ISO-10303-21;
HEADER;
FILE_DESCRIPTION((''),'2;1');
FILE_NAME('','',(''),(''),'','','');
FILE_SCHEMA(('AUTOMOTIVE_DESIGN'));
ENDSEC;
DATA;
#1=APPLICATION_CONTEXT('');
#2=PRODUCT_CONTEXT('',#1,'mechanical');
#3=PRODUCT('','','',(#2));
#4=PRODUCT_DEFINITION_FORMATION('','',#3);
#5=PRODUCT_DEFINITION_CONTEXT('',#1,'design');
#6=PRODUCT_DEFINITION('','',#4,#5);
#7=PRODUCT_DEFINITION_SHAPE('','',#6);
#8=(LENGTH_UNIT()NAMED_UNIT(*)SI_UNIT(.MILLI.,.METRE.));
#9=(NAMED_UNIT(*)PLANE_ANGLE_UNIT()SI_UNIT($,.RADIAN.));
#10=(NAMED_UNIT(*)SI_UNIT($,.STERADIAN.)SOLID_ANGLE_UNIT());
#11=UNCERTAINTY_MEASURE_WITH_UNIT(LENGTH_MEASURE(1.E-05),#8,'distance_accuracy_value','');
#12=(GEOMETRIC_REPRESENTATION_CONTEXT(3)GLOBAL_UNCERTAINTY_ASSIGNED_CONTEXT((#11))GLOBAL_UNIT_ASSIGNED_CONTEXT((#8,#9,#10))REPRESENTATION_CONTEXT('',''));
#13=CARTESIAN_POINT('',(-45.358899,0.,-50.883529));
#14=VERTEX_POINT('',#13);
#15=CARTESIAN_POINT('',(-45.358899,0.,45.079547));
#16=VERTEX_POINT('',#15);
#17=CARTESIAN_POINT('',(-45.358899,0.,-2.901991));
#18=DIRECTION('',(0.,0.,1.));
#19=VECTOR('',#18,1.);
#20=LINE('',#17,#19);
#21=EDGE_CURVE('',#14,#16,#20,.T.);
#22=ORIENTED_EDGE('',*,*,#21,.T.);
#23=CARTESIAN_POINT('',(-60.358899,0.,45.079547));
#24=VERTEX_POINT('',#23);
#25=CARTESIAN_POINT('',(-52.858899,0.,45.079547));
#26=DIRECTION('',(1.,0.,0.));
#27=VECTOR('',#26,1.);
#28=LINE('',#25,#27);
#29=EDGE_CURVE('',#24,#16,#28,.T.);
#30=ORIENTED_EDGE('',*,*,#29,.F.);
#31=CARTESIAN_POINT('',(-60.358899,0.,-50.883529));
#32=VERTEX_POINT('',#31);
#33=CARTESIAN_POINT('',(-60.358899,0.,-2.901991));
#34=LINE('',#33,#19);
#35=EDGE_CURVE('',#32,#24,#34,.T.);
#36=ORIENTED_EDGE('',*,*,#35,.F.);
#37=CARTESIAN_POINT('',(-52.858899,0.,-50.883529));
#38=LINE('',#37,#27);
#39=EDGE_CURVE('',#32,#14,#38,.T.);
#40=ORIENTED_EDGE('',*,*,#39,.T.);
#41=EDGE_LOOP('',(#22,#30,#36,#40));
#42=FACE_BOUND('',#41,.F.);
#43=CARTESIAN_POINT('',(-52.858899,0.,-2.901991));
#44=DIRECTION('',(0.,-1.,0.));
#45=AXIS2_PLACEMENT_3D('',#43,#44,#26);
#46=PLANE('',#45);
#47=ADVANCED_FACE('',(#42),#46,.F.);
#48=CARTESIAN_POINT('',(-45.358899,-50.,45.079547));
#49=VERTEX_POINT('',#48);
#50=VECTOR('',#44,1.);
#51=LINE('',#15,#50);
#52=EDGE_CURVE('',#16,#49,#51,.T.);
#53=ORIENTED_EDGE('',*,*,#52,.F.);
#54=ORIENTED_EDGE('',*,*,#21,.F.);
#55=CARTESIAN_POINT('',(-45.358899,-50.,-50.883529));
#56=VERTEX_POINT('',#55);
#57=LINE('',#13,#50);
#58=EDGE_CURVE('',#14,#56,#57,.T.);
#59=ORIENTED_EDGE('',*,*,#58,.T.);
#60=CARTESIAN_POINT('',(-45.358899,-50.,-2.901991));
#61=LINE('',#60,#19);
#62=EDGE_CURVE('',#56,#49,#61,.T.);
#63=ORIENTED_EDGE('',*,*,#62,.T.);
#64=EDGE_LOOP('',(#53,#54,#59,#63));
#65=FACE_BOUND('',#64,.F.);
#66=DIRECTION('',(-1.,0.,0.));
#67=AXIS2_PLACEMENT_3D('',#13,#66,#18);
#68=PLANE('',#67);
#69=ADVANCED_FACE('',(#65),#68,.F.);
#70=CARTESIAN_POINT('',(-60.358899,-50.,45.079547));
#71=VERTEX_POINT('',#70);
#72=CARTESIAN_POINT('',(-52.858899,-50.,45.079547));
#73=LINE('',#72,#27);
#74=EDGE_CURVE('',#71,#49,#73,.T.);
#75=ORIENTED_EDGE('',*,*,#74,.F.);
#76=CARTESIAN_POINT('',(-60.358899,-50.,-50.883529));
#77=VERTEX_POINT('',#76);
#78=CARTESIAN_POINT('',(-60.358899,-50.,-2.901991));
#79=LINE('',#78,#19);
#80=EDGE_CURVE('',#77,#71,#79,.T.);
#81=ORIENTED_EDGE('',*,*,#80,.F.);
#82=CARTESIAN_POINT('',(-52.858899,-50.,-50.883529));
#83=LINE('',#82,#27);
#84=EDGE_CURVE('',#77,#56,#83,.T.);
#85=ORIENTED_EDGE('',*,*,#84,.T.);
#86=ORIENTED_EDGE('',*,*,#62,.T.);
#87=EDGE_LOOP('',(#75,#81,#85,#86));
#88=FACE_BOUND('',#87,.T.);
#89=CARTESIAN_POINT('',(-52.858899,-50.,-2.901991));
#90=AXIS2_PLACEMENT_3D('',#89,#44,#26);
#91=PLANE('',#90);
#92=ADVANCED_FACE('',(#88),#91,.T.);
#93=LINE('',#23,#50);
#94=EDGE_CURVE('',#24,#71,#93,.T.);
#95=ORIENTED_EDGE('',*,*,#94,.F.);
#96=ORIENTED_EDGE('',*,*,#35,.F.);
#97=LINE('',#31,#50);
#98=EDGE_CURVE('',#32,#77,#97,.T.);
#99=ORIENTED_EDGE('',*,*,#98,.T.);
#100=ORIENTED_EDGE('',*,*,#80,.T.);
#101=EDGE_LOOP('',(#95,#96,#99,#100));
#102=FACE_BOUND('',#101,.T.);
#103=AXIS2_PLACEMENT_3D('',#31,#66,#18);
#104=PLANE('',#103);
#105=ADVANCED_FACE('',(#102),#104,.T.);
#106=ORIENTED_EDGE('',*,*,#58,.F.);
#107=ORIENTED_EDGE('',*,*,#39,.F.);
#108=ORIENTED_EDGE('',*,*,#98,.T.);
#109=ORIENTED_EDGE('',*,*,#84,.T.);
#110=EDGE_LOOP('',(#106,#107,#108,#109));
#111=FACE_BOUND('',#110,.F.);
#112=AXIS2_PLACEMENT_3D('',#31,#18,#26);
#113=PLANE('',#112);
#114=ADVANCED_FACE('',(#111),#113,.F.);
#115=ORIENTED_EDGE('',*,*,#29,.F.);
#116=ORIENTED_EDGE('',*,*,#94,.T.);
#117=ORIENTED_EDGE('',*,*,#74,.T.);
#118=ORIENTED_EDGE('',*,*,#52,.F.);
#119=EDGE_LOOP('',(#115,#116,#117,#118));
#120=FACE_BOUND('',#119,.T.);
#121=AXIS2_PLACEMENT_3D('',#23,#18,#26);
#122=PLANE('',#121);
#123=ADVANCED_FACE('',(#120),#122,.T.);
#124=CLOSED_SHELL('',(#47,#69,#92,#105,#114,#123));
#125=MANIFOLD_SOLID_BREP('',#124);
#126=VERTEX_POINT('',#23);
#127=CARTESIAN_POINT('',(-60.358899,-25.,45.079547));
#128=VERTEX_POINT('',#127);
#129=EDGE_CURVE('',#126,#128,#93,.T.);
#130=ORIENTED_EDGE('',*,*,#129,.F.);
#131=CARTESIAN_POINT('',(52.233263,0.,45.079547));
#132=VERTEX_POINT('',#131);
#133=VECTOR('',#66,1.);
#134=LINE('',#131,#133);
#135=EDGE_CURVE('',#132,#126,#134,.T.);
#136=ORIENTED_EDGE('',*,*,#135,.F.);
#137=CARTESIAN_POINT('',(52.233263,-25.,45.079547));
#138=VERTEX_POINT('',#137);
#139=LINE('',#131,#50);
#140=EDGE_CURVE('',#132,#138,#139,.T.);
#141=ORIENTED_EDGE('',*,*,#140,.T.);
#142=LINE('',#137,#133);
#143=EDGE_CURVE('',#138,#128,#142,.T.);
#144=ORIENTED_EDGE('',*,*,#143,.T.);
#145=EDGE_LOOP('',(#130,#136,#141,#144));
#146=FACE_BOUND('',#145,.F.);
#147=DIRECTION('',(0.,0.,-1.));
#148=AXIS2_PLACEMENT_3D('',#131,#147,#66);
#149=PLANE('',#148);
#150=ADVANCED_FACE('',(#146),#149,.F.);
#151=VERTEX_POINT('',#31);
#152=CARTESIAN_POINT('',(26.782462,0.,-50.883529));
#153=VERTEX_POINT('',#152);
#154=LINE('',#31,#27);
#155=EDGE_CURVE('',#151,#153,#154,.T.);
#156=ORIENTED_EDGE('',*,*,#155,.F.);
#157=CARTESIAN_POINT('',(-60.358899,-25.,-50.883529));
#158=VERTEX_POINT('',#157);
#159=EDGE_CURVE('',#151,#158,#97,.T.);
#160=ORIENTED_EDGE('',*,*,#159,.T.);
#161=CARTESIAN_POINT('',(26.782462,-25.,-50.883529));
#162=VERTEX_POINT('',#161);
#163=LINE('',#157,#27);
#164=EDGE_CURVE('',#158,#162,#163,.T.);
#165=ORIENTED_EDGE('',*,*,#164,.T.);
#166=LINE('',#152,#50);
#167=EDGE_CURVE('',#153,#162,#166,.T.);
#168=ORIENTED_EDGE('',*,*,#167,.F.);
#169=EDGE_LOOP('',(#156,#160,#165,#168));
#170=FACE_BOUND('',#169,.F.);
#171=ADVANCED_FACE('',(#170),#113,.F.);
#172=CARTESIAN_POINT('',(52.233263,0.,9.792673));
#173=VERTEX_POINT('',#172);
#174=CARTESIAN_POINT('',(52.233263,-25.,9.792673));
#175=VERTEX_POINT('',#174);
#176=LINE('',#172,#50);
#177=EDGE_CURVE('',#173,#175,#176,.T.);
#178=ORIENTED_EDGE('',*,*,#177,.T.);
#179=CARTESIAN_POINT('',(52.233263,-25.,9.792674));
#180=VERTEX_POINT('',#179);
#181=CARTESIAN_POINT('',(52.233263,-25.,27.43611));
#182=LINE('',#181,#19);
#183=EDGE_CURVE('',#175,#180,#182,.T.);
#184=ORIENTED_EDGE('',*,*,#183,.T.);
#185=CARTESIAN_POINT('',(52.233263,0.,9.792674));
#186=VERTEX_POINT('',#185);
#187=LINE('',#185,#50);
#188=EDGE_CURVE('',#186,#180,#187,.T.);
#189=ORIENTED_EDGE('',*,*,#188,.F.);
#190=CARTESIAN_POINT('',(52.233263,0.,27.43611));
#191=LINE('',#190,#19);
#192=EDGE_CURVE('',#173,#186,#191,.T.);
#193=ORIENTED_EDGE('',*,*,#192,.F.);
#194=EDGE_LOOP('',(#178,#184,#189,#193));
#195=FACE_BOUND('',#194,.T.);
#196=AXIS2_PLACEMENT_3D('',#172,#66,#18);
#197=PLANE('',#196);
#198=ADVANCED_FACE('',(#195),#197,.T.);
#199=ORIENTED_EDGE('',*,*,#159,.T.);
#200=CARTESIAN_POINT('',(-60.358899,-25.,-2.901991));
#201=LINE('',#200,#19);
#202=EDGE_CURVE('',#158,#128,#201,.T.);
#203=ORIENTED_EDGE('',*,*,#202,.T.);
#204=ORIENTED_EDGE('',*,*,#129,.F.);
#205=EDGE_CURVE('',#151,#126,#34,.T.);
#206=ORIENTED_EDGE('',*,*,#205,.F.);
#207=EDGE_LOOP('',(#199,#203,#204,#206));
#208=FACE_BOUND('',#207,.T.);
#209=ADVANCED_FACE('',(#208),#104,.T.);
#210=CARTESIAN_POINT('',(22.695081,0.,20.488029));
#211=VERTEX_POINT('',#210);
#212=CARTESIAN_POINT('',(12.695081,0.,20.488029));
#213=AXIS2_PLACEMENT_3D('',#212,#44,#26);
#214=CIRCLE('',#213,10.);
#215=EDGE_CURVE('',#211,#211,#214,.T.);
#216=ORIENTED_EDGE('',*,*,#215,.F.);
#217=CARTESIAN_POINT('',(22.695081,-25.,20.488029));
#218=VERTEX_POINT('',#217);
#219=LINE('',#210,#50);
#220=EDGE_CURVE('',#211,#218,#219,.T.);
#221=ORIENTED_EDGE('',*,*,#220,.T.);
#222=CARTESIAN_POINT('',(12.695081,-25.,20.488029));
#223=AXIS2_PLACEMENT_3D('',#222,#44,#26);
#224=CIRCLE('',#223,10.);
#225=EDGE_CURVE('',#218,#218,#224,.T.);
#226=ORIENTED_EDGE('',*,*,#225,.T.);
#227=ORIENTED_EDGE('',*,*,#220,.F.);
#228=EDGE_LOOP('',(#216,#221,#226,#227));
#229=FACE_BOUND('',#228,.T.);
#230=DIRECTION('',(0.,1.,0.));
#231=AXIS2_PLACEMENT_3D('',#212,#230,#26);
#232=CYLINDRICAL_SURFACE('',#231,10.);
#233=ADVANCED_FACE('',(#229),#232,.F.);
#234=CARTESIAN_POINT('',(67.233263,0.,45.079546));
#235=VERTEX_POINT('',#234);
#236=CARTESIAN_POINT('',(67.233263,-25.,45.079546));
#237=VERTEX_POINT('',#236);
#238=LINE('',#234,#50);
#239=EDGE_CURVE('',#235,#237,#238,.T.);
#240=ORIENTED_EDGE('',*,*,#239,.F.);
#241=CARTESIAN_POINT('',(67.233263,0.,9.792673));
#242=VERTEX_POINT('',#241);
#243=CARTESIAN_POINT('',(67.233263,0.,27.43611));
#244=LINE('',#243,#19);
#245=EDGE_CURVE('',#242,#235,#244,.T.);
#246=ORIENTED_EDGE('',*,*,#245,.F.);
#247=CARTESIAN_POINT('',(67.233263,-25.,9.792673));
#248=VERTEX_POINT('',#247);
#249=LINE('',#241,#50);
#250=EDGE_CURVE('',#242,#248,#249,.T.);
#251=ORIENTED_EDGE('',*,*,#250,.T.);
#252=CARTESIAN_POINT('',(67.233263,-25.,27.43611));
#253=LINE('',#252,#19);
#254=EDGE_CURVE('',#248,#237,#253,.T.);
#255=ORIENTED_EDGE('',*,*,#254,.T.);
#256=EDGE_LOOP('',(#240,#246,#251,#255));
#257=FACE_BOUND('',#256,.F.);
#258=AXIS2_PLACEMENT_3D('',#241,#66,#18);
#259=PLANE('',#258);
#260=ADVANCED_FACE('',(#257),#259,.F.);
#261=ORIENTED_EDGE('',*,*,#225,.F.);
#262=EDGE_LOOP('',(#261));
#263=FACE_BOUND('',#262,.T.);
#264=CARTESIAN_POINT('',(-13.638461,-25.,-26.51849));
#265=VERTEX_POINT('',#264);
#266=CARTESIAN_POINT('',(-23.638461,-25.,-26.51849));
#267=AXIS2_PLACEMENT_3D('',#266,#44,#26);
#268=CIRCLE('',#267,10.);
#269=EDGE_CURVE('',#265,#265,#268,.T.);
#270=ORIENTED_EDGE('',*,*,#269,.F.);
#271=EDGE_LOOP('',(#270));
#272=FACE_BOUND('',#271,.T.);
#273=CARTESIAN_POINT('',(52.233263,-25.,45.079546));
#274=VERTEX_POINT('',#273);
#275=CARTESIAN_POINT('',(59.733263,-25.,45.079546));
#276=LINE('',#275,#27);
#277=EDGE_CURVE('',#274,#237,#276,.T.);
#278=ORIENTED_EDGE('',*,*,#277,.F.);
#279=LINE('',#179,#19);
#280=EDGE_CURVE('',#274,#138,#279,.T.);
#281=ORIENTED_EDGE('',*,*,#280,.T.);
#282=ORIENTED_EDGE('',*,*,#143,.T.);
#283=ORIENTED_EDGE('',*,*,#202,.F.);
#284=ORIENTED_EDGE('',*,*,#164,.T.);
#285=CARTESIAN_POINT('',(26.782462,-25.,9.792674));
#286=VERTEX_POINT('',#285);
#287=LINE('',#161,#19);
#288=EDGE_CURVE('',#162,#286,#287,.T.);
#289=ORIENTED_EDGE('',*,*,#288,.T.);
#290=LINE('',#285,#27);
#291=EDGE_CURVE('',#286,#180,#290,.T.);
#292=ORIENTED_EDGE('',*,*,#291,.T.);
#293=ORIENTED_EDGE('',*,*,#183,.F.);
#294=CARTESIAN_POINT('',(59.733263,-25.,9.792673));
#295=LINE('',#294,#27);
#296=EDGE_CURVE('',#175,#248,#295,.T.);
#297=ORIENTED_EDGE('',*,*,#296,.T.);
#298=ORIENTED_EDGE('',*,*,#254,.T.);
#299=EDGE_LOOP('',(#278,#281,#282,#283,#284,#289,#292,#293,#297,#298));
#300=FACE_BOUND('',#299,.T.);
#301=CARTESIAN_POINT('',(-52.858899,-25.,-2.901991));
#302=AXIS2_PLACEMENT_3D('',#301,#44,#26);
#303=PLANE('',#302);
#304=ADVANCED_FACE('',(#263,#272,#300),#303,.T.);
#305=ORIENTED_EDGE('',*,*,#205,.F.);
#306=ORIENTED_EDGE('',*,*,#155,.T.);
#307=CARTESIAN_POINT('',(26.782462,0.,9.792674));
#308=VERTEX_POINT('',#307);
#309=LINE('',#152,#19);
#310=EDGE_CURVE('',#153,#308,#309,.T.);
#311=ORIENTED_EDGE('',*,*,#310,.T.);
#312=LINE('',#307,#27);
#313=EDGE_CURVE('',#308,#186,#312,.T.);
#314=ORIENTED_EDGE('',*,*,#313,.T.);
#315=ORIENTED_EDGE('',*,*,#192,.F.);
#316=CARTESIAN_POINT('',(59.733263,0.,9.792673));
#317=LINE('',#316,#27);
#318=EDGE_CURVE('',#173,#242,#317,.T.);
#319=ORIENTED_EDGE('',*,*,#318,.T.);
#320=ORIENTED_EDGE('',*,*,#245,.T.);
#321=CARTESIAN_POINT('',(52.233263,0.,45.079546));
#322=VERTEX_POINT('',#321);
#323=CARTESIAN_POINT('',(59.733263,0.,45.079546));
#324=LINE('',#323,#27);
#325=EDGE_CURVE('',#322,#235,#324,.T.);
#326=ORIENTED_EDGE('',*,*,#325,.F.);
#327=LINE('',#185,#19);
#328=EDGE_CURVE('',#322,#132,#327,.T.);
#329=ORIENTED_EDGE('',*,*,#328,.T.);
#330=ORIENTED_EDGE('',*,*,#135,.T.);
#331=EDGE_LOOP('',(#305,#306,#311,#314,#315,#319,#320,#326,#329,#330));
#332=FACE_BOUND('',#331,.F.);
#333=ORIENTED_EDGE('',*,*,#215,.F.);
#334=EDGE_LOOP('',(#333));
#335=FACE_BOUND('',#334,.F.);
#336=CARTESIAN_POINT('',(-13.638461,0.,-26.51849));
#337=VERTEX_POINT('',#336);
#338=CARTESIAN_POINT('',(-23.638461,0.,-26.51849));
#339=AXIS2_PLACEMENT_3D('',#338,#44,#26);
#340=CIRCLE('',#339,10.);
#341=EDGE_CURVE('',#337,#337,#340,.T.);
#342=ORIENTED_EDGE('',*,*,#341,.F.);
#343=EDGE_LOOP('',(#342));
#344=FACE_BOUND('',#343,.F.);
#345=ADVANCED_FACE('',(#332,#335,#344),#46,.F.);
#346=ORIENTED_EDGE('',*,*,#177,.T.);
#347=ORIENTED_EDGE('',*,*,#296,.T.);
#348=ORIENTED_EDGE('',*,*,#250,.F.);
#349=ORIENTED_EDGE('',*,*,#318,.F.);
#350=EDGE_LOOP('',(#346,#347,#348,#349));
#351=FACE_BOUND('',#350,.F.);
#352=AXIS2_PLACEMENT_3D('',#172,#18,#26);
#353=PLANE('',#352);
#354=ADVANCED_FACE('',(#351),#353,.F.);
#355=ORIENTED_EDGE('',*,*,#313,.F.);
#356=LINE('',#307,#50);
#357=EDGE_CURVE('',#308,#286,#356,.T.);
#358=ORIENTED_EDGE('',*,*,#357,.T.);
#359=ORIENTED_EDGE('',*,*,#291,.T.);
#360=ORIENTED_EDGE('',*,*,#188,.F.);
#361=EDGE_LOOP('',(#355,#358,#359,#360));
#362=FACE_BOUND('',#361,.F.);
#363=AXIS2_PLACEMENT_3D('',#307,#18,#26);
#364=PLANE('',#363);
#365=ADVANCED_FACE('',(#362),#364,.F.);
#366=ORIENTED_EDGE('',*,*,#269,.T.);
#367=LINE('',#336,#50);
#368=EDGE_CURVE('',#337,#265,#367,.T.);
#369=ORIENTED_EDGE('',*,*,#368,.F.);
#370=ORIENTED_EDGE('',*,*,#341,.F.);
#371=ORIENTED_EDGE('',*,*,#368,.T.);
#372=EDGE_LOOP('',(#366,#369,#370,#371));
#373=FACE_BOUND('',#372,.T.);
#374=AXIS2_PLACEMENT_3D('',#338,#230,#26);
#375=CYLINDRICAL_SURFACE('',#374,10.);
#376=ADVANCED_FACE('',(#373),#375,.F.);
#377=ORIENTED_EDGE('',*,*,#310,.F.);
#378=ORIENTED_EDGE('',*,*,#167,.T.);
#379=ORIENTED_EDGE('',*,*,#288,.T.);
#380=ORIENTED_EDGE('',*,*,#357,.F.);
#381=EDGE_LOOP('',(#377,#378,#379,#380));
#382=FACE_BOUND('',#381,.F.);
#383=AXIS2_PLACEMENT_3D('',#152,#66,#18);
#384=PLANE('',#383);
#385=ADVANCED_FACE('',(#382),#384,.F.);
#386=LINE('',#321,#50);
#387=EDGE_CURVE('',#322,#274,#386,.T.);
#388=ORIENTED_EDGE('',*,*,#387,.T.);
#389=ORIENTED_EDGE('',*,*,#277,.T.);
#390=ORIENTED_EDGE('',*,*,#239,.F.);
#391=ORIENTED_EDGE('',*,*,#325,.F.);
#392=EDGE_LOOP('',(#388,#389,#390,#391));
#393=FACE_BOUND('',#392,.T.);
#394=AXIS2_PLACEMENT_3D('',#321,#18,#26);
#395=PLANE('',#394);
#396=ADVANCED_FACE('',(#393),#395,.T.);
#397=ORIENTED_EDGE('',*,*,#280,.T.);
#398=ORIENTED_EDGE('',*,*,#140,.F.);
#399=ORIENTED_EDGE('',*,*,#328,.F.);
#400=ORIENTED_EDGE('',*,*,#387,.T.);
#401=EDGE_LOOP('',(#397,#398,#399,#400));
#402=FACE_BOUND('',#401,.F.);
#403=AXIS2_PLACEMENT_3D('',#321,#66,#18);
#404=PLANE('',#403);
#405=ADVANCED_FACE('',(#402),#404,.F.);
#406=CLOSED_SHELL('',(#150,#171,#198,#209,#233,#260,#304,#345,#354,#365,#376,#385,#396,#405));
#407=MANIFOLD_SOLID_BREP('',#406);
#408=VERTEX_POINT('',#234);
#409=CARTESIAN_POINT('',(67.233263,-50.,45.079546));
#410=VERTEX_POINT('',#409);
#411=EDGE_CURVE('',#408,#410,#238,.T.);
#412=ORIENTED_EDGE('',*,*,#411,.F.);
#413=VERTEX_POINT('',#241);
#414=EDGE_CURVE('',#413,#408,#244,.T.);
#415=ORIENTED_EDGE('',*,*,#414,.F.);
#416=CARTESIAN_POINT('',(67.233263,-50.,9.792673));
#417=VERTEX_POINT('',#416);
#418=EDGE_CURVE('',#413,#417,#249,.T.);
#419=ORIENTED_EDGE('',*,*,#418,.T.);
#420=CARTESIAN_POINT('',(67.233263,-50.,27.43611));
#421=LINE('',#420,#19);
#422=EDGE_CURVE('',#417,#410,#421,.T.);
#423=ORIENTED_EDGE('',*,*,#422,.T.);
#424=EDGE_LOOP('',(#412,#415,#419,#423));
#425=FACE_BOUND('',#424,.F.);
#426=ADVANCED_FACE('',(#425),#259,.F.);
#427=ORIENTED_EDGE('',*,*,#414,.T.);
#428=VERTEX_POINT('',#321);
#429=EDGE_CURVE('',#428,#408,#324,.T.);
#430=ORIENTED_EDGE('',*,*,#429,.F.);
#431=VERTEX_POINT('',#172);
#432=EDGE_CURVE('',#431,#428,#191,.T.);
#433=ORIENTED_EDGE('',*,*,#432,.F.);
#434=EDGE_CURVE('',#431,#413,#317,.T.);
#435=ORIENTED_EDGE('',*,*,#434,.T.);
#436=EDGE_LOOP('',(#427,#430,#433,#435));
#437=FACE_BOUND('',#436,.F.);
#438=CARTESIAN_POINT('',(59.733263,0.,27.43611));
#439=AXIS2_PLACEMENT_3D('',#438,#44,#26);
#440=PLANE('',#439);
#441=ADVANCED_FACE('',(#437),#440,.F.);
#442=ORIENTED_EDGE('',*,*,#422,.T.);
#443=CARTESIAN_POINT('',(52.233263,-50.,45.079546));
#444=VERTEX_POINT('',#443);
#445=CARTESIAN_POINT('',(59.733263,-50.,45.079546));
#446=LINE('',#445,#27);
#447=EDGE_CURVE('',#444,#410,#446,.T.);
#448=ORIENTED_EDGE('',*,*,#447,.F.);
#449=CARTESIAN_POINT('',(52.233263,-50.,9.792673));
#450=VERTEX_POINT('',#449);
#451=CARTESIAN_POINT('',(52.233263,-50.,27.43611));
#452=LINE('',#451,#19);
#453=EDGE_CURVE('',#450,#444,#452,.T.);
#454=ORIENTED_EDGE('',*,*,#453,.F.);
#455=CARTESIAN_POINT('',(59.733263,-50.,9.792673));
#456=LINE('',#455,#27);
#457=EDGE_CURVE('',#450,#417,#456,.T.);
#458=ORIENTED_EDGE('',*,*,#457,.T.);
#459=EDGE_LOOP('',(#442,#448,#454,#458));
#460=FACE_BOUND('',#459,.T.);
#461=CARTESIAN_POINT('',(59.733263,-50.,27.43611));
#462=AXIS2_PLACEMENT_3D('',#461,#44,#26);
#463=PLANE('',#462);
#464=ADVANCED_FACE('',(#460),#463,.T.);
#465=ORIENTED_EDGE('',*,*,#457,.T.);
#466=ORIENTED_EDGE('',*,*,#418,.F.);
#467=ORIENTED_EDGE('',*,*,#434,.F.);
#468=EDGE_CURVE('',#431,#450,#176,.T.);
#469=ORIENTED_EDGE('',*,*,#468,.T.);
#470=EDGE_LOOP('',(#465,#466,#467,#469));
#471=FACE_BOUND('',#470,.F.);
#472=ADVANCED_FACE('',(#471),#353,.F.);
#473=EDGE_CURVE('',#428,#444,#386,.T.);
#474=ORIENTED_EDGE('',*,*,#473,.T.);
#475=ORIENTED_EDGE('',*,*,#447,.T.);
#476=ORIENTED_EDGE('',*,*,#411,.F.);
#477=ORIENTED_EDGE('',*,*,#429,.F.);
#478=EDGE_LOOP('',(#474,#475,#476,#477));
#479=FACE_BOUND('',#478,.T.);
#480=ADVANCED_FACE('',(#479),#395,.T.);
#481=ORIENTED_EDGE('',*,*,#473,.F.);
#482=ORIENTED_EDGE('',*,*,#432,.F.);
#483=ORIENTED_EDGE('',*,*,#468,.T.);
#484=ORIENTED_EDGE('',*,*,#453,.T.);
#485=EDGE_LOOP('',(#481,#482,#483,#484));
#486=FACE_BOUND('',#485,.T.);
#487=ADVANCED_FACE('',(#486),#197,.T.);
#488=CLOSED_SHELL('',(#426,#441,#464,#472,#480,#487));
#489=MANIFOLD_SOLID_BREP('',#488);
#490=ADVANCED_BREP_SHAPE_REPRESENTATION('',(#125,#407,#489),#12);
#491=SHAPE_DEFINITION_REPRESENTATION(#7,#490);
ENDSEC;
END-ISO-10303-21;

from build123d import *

# Parameters (mm, degrees)
F0_W     = 15
F0_H     = 95.963076
F0_H_2   = 35.286873
F1_DEPTH = 50
F0_R     = 10
F2_DEPTH = 25


with BuildPart() as f1:
    # F0 (on Front) → F1 (new body)
    with BuildSketch(Plane.XZ):
        with Locations((-52.858899, -2.901991)):
            Rectangle(F0_W, F0_H)
        with Locations((59.733263, 27.43611)):
            Rectangle(F0_W, F0_H_2)
    extrude(amount=F1_DEPTH)


with BuildPart() as f2:
    # F0 (on Front) → F2 (new body)
    with BuildSketch(Plane.XZ):
        with Locations((-52.858899, -2.901991)):
            Rectangle(F0_W, F0_H)
        Polygon((52.233263, 45.079547), (-45.358899, 45.079547), (-45.358899, -50.883529), (26.782462, -50.883529), (26.782462, 9.792674), (52.233263, 9.792674), align=None)
        with Locations((-23.638461, -26.51849)):
            Circle(F0_R, mode=Mode.SUBTRACT)
        with Locations((12.695081, 20.488029)):
            Circle(F0_R, mode=Mode.SUBTRACT)
        with Locations((59.733263, 27.43611)):
            Rectangle(F0_W, F0_H_2)
    extrude(amount=F2_DEPTH)


solid = Compound([f1.part, f2.part])
